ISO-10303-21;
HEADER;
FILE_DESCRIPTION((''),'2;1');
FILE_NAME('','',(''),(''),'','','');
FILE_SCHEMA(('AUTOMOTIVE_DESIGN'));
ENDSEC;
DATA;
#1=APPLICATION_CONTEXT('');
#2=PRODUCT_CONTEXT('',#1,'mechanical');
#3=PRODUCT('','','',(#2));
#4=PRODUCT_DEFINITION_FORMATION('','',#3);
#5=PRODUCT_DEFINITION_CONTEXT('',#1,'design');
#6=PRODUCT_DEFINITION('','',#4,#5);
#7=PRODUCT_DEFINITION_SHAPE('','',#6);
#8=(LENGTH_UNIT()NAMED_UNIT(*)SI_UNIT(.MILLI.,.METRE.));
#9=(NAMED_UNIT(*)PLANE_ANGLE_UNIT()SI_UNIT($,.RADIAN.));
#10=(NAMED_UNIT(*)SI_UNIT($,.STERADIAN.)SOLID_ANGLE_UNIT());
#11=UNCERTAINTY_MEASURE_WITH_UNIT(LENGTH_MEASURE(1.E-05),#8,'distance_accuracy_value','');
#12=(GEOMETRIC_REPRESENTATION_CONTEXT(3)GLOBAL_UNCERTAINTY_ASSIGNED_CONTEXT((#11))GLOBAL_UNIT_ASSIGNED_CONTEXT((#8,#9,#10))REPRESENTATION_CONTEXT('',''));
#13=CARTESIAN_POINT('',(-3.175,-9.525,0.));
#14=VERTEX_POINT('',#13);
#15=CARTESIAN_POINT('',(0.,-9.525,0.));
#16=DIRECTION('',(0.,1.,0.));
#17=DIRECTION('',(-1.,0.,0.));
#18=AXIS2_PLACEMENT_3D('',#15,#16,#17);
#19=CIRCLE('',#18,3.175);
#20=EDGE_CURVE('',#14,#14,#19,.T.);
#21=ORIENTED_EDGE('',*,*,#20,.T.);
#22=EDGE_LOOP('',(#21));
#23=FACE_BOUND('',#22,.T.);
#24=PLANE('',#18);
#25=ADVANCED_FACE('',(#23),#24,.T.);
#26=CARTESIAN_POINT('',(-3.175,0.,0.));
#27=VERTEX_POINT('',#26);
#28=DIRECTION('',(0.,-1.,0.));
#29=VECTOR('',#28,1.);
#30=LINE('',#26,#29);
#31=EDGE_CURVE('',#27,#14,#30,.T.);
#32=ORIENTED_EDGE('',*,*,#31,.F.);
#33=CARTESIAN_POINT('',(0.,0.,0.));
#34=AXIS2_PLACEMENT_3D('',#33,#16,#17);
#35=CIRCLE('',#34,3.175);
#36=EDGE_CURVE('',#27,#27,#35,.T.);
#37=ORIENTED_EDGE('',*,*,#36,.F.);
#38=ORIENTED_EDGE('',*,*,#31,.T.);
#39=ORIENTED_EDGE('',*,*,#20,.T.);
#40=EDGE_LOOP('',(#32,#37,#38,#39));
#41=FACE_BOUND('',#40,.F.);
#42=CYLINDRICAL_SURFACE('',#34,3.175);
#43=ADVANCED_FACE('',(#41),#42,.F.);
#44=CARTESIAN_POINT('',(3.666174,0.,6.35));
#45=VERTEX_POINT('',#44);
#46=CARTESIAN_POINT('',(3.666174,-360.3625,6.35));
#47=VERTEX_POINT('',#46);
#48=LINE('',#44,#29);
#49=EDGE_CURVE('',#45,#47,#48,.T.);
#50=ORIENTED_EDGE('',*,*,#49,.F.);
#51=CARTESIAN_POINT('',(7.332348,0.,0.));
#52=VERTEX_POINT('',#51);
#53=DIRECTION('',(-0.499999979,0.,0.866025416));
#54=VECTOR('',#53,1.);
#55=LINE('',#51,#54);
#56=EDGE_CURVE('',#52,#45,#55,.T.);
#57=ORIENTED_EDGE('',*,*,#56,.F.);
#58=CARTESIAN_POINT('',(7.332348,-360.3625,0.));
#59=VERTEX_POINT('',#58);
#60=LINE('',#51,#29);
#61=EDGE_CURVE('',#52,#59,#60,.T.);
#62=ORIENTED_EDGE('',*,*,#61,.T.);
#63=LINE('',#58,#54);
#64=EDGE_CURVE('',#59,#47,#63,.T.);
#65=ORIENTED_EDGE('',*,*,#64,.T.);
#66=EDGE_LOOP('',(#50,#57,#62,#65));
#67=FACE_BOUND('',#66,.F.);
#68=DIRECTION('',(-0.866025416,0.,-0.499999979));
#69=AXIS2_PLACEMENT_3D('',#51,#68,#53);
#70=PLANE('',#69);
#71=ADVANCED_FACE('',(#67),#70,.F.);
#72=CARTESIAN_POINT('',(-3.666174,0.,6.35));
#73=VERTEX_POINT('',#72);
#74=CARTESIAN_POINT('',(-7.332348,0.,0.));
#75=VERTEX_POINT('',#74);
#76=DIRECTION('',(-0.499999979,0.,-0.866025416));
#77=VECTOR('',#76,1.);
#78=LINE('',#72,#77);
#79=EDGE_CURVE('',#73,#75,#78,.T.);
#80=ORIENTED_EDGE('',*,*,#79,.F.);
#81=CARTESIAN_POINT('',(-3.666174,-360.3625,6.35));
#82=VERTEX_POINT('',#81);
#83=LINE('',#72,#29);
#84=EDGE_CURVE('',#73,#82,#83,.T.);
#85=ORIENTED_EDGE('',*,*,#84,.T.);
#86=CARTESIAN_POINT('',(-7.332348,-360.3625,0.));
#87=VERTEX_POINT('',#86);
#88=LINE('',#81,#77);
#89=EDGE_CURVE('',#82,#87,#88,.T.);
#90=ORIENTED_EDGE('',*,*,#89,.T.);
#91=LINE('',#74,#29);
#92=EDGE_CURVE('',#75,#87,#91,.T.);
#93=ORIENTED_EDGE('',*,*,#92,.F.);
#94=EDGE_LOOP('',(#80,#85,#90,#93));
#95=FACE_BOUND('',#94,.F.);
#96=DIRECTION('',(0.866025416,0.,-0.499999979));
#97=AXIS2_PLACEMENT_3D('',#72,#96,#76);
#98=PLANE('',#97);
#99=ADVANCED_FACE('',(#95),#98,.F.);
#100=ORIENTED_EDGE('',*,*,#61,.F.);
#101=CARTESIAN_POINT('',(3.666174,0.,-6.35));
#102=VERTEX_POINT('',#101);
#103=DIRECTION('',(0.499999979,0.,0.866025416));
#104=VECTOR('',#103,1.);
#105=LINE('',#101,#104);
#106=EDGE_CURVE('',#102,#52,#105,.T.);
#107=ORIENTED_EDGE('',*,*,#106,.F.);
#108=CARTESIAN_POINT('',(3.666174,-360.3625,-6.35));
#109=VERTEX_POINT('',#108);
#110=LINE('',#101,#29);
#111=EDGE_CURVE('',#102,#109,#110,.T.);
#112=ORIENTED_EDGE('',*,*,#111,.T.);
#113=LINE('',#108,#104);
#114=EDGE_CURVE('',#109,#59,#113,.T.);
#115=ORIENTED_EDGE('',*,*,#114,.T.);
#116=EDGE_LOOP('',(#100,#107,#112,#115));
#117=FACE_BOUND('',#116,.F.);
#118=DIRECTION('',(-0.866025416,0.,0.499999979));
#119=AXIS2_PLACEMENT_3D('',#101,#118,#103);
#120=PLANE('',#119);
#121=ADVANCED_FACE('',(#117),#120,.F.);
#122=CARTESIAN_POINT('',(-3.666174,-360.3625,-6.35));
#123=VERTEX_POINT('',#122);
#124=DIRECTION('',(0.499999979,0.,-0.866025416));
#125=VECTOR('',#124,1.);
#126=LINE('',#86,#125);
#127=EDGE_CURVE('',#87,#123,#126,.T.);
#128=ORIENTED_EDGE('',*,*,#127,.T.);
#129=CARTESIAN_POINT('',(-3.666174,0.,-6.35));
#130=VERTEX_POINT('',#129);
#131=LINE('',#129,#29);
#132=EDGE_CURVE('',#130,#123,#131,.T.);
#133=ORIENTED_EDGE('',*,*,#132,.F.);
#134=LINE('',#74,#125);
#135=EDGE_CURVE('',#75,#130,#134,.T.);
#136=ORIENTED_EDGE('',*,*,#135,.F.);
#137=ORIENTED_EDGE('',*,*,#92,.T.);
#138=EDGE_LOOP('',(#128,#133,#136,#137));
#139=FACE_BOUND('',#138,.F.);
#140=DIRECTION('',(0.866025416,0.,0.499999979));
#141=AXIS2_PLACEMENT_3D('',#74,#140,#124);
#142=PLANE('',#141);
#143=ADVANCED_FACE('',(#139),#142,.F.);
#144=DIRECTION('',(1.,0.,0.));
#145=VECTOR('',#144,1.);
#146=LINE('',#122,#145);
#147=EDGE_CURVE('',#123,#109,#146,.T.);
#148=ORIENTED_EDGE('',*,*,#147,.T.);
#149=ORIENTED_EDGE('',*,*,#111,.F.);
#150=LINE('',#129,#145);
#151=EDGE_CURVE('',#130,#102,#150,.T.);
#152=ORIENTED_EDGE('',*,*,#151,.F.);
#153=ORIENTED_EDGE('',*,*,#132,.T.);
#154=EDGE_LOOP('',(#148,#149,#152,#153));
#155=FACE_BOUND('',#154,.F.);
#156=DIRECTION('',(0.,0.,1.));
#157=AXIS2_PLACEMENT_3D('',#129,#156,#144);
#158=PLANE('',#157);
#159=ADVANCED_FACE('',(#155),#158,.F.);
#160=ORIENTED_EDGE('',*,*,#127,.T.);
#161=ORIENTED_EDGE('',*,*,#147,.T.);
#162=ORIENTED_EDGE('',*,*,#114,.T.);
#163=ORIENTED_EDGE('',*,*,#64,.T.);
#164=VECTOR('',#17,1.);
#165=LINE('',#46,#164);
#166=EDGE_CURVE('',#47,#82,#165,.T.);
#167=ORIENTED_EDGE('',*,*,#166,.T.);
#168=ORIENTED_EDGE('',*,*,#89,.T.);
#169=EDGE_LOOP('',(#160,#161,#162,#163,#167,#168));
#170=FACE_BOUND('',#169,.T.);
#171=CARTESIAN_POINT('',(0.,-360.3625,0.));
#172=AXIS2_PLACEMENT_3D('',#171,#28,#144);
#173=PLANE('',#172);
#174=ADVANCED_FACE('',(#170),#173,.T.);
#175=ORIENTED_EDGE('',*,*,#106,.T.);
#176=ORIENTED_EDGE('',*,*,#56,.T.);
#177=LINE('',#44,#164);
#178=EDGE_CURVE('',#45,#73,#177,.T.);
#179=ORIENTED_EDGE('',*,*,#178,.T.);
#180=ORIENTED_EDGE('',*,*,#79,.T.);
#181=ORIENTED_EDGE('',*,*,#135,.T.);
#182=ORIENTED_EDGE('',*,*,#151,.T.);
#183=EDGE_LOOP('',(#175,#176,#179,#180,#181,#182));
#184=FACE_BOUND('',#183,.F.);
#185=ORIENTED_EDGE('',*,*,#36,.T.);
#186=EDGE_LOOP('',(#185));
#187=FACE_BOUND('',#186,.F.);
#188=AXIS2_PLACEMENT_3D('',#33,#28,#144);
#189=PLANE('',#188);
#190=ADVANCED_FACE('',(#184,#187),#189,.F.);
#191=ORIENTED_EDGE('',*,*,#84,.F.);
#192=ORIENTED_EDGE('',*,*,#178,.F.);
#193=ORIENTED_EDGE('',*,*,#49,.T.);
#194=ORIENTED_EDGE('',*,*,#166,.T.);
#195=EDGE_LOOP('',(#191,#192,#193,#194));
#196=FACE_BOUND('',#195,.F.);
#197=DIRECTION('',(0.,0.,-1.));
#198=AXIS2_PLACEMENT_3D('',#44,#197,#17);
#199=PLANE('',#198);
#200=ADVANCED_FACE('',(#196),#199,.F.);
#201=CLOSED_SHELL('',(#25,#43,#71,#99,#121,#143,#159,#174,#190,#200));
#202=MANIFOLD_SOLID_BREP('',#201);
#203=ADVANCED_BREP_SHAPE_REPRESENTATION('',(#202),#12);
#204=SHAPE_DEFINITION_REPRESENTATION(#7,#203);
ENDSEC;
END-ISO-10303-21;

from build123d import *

# Parameters (mm, degrees)
F1_DEPTH = 360.3625
F2_R     = 3.175
F3_DEPTH = 9.525


with BuildPart() as f1:
    # F0 (on Front) → F1 (new body)
    with BuildSketch(Plane.XZ):
        Polygon((3.666174, 6.35), (-3.666174, 6.35), (-7.332348, 0), (-3.666174, -6.35), (3.666174, -6.35), (7.332348, 0), align=None)
    extrude(amount=F1_DEPTH)

    # F2 (on face) → F3 (cut)
    with BuildSketch(Plane(origin=(0, 0, 0), x_dir=(-1, 0, 0), z_dir=(0, 1, 0))):
        Circle(F2_R)
    extrude(amount=-F3_DEPTH, mode=Mode.SUBTRACT)


solid = f1.part
